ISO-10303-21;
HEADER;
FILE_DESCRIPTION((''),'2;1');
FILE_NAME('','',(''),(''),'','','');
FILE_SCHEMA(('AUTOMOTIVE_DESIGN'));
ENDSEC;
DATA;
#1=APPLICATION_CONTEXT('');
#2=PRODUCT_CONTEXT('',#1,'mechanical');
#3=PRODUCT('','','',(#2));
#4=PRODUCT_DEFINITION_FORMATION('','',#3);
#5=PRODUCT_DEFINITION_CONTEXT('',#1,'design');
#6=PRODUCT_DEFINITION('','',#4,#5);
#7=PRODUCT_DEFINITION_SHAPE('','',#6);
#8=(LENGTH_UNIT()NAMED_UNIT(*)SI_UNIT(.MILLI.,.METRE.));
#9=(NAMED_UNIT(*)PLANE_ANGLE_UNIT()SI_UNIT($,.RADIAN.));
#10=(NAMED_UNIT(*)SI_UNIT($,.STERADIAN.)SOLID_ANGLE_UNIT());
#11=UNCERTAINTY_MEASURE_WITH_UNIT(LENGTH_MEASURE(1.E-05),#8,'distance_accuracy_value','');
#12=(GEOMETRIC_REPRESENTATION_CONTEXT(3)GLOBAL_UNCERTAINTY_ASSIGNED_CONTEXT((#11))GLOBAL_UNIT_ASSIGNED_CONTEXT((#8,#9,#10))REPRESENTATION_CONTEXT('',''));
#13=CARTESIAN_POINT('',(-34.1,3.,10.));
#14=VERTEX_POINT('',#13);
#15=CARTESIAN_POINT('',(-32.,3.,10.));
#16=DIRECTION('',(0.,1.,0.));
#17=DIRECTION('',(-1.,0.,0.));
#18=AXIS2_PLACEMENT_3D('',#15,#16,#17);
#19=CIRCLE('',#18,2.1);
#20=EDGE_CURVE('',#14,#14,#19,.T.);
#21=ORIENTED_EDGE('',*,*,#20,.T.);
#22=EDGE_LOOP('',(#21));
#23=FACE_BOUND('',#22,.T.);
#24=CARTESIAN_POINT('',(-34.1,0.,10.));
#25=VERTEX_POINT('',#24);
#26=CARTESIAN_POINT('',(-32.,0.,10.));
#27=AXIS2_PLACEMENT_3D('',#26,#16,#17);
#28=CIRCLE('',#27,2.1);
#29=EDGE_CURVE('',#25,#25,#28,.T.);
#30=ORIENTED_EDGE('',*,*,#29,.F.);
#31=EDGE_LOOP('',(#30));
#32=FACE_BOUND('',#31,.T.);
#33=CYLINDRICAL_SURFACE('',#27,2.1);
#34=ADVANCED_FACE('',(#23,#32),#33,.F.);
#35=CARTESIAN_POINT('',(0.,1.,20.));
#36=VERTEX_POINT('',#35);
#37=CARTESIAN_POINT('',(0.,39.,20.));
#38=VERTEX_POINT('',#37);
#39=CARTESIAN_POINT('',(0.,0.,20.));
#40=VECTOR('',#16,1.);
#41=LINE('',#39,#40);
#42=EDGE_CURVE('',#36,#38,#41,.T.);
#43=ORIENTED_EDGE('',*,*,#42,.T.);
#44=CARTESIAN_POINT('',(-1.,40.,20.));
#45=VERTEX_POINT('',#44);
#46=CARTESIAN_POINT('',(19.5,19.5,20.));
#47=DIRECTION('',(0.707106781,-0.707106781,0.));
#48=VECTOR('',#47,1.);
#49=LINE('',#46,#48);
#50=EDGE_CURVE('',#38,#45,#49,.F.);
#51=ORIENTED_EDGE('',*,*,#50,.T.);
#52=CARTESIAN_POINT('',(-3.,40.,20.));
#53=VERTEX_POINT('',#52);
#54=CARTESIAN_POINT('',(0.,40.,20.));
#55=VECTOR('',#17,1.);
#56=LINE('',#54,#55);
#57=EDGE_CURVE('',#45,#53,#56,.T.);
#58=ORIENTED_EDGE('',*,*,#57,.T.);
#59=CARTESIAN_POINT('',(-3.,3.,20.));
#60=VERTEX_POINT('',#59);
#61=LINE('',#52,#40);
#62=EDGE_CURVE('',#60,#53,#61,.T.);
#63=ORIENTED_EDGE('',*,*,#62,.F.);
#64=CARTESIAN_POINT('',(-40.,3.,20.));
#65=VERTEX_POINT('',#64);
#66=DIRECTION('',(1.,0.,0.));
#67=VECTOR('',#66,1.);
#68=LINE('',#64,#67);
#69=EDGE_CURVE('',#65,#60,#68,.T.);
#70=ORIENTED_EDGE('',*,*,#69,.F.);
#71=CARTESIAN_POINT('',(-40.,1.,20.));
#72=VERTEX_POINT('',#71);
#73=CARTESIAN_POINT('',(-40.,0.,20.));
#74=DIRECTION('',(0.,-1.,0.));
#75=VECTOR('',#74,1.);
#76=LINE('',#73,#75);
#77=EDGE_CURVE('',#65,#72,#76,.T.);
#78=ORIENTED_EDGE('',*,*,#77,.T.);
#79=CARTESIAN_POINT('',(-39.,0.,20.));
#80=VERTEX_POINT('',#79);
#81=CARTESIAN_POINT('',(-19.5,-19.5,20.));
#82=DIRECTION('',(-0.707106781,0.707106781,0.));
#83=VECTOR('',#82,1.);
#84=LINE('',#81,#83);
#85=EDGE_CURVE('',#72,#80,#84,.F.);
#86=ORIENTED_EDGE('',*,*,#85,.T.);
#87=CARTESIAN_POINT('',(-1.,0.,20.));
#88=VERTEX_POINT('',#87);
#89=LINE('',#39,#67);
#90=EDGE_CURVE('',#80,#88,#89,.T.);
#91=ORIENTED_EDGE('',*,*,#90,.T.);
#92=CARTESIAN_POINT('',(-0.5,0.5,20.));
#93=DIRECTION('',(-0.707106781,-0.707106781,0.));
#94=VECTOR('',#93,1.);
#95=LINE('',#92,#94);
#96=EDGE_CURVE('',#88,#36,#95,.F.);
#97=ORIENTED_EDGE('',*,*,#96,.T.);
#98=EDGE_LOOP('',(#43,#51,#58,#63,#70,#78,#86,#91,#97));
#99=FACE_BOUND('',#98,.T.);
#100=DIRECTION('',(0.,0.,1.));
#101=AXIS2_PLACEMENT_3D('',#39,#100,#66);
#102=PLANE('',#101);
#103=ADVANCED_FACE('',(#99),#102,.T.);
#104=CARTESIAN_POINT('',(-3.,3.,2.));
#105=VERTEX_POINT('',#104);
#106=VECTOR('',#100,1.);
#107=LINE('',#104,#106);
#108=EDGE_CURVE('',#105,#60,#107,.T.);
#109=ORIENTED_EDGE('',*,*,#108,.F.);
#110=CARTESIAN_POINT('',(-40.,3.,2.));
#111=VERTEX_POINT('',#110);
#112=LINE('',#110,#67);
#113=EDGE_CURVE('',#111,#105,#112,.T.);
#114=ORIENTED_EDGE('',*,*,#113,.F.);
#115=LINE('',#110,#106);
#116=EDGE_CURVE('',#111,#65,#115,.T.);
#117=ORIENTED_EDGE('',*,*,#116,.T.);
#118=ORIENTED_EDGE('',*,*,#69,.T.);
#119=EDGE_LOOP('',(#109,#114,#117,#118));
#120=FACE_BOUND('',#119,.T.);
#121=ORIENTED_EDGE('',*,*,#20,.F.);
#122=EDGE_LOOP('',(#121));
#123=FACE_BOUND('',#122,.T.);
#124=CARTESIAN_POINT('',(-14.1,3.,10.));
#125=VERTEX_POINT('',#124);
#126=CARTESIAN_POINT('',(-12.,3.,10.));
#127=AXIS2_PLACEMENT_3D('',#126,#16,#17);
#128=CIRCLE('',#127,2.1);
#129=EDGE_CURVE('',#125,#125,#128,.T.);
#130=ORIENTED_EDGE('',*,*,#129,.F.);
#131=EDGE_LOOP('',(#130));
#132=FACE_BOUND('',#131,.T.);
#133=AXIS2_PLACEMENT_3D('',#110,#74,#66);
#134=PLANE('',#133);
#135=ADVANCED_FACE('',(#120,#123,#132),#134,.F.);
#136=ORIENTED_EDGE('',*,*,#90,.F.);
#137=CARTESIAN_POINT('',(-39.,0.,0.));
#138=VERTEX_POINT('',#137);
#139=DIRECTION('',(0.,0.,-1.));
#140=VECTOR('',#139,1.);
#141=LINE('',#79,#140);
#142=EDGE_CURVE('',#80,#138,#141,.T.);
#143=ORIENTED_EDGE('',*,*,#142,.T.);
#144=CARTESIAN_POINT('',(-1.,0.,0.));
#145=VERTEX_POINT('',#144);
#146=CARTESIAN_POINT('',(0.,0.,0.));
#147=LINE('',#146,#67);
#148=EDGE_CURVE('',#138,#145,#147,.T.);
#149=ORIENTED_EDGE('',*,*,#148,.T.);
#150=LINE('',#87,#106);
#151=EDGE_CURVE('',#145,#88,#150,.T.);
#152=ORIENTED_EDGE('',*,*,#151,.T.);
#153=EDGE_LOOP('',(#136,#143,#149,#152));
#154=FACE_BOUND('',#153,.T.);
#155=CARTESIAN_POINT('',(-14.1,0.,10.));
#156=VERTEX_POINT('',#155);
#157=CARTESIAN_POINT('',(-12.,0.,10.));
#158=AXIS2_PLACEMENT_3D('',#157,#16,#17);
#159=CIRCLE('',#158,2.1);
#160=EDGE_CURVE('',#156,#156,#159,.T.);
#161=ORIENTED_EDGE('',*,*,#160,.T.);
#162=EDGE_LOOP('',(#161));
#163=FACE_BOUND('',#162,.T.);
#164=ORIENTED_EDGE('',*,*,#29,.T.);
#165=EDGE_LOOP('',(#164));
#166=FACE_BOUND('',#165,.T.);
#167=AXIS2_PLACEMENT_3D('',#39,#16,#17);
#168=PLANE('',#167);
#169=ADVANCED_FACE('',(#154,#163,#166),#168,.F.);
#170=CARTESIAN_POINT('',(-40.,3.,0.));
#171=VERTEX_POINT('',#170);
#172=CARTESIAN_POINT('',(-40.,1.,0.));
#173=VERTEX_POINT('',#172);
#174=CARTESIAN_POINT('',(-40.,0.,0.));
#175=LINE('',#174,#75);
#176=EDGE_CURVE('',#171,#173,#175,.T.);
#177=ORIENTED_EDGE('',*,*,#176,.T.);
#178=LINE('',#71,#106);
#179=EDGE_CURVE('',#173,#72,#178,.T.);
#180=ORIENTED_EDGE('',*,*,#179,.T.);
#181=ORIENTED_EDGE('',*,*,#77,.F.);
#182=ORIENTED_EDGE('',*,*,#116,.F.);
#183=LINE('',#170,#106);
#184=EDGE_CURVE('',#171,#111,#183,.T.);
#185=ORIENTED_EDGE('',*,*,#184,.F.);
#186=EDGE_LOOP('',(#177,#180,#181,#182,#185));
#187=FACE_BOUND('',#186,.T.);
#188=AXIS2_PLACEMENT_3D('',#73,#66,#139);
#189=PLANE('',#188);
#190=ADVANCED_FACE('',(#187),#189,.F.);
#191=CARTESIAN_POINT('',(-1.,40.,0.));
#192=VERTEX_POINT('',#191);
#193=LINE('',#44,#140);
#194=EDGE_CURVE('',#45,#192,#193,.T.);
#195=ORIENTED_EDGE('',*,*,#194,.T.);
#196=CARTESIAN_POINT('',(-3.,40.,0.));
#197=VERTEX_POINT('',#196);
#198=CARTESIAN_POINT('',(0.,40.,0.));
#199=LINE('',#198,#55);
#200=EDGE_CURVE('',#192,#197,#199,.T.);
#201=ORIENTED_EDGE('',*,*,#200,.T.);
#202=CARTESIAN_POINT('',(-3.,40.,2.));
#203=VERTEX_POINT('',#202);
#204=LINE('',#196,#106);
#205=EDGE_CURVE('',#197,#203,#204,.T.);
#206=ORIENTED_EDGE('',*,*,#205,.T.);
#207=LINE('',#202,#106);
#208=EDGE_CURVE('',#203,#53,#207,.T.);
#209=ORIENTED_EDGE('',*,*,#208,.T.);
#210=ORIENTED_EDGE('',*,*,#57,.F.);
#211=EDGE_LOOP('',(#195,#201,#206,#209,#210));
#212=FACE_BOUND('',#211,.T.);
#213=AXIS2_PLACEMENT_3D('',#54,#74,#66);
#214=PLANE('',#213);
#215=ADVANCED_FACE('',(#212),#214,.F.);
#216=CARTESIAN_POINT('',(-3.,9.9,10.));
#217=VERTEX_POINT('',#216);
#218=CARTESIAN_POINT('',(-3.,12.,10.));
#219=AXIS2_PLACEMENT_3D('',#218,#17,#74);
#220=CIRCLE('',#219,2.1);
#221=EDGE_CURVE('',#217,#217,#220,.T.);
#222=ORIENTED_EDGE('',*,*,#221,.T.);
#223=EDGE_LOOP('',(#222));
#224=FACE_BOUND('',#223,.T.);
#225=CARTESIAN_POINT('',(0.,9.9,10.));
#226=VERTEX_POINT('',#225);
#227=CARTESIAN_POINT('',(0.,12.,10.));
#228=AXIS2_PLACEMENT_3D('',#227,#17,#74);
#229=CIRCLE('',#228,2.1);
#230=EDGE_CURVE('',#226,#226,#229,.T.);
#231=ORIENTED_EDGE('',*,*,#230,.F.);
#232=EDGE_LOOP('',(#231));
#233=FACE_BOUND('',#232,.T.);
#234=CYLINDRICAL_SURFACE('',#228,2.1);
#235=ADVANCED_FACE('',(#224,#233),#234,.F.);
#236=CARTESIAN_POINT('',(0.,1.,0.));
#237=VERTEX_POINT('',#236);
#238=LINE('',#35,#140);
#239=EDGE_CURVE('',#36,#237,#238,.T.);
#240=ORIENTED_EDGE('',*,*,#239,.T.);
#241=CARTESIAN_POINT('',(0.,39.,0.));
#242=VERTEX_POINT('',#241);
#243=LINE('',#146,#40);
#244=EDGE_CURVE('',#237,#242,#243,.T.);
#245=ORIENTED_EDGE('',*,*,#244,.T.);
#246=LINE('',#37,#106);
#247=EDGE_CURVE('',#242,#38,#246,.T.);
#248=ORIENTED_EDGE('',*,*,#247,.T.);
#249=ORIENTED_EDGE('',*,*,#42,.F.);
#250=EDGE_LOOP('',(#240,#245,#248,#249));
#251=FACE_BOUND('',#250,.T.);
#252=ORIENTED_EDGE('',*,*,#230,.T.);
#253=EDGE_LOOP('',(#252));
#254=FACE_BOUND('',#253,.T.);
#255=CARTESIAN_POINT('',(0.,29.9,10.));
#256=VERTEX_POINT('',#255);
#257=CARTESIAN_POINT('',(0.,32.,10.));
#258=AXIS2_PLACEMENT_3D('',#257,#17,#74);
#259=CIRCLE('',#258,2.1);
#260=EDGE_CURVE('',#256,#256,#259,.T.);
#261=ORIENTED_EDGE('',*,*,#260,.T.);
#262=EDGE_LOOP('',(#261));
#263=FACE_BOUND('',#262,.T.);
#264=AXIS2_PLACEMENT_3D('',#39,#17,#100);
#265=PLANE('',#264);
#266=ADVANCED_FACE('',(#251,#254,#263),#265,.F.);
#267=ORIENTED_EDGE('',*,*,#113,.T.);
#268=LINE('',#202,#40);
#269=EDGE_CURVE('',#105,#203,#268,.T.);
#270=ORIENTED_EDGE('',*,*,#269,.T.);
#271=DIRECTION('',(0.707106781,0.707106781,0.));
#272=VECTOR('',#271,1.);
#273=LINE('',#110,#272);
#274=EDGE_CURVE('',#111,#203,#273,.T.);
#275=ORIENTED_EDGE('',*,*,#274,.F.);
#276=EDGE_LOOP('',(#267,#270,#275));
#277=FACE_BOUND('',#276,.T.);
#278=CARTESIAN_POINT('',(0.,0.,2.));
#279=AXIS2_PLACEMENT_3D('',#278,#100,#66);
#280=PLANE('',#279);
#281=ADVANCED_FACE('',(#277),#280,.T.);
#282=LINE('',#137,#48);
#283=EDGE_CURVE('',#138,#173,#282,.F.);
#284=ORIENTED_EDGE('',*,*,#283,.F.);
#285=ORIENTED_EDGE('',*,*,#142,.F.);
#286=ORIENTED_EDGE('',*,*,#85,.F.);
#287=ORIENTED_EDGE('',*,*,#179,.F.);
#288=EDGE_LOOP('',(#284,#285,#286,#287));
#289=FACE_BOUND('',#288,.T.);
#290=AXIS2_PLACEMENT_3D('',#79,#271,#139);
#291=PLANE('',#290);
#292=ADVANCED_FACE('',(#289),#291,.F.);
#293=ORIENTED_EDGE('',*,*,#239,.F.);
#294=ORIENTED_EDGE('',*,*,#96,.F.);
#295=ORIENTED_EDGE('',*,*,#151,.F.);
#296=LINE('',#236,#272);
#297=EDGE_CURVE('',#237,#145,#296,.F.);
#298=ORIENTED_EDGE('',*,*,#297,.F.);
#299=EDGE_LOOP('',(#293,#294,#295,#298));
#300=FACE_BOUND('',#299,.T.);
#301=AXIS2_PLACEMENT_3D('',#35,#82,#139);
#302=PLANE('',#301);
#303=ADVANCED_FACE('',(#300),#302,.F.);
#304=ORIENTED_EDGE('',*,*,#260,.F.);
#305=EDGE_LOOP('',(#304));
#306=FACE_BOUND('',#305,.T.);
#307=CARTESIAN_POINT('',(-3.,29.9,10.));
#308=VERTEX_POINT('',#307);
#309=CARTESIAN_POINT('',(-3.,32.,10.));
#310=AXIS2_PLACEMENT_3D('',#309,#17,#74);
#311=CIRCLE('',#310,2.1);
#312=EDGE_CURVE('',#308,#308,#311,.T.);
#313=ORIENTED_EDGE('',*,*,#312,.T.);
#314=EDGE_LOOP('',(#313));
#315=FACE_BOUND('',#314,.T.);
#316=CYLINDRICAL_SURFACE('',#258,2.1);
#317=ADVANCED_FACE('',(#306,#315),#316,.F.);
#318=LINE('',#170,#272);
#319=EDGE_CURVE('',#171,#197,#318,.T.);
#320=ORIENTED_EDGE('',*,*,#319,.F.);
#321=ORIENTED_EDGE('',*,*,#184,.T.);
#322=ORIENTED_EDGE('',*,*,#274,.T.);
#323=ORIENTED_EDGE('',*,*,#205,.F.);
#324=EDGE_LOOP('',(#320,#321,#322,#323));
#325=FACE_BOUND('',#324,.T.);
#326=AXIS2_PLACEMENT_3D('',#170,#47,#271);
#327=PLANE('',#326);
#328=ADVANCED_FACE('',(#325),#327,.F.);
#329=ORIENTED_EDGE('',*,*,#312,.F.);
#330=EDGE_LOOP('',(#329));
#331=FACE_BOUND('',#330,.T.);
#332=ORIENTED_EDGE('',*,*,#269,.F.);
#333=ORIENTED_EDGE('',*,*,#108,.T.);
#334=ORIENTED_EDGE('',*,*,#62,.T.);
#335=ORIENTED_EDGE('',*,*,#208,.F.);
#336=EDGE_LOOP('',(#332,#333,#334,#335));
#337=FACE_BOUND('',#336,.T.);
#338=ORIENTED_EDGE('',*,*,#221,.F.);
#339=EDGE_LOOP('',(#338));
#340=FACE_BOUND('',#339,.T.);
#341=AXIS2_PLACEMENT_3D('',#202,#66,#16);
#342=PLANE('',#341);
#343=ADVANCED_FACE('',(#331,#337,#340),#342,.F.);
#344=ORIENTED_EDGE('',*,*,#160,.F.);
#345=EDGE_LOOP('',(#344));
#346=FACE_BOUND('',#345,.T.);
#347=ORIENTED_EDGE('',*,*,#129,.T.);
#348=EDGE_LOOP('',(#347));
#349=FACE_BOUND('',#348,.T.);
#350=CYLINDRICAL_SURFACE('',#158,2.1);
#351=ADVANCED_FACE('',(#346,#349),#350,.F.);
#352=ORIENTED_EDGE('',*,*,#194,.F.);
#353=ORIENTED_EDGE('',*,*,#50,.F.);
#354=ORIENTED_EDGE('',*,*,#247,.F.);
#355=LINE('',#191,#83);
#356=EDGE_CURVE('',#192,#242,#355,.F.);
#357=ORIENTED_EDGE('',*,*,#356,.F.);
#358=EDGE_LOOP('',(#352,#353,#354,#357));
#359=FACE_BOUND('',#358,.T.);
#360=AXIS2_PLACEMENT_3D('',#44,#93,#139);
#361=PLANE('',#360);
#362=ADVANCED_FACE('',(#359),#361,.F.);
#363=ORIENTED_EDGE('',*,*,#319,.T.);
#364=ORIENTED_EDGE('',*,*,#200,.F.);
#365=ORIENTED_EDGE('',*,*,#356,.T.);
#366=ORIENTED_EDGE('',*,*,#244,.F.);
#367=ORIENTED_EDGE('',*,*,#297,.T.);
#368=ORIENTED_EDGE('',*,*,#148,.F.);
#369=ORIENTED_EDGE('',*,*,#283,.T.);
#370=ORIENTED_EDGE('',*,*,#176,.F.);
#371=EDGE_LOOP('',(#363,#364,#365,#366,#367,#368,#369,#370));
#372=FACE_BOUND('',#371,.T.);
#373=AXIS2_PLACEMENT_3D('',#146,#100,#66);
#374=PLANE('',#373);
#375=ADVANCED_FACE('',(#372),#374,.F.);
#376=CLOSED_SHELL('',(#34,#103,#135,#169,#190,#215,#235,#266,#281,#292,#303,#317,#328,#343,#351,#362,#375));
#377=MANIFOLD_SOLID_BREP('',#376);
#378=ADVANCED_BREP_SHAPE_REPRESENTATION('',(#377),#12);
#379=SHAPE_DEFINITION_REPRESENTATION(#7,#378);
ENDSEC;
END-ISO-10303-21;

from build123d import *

# Parameters (mm, degrees)
ESQUISSE1_W             = 40
ESQUISSE1_H             = 40
BOSS_EXTRU_1_DEPTH      = 20
ESQUISSE2_W             = 37
ESQUISSE2_H             = 37
ENL_V_MAT_EXTRU_1_DEPTH = 18
ENL_V_MAT_EXTRU_2_DEPTH = 3
CHANFREIN1_SIZE         = 1
ESQUISSE4_R             = 2.1
ENL_V_MAT_EXTRU_3_DEPTH = 4
ESQUISSE5_R             = 2.1
ENL_V_MAT_EXTRU_4_DEPTH = 4


with BuildPart() as part:
    # Esquisse1 → Boss.-Extru.1 (new body)
    with BuildSketch(Plane.XY):
        with Locations((-20, 20)):
            Rectangle(ESQUISSE1_W, ESQUISSE1_H)
    extrude(amount=BOSS_EXTRU_1_DEPTH)

    # Esquisse2 → Enlèv. mat.-Extru.1 (cut)
    with BuildSketch(Plane.XY.offset(20)):
        with Locations((-21.5, 21.5)):
            Rectangle(ESQUISSE2_W, ESQUISSE2_H)
    extrude(amount=-ENL_V_MAT_EXTRU_1_DEPTH, mode=Mode.SUBTRACT)

    # Esquisse3 → Enlèv. mat.-Extru.2 (cut, through all)
    with BuildSketch(Plane.XY.offset(2)):
        Polygon((-40, 3), (-3, 40), (-40, 40), align=None)
    extrude(amount=-ENL_V_MAT_EXTRU_2_DEPTH, mode=Mode.SUBTRACT)

    # Chanfrein1
    chanfrein1_edges = [part.edges().sort_by_distance(p)[0] for p in [
        (0, 0, 10),
        (-40, 0, 10),
        (0, 40, 10),
    ]]
    chamfer(chanfrein1_edges, length=CHANFREIN1_SIZE)

    # Esquisse4 → Enlèv. mat.-Extru.3 (cut, through all)
    with BuildSketch(Plane(origin=(0, 3, 0), x_dir=(1, 0, 0), z_dir=(0, 1, 0))):
        with Locations((-12, -10)):
            Circle(ESQUISSE4_R)
        with Locations((-32, -10)):
            Circle(ESQUISSE4_R)
    extrude(amount=-ENL_V_MAT_EXTRU_3_DEPTH, mode=Mode.SUBTRACT)

    # Esquisse5 → Enlèv. mat.-Extru.4 (cut, through all)
    with BuildSketch(Plane.ZY.offset(3)):
        with Locations((10, 12)):
            Circle(ESQUISSE5_R)
        with Locations((10, 32)):
            Circle(ESQUISSE5_R)
    extrude(amount=-ENL_V_MAT_EXTRU_4_DEPTH, mode=Mode.SUBTRACT)


solid = part.part
